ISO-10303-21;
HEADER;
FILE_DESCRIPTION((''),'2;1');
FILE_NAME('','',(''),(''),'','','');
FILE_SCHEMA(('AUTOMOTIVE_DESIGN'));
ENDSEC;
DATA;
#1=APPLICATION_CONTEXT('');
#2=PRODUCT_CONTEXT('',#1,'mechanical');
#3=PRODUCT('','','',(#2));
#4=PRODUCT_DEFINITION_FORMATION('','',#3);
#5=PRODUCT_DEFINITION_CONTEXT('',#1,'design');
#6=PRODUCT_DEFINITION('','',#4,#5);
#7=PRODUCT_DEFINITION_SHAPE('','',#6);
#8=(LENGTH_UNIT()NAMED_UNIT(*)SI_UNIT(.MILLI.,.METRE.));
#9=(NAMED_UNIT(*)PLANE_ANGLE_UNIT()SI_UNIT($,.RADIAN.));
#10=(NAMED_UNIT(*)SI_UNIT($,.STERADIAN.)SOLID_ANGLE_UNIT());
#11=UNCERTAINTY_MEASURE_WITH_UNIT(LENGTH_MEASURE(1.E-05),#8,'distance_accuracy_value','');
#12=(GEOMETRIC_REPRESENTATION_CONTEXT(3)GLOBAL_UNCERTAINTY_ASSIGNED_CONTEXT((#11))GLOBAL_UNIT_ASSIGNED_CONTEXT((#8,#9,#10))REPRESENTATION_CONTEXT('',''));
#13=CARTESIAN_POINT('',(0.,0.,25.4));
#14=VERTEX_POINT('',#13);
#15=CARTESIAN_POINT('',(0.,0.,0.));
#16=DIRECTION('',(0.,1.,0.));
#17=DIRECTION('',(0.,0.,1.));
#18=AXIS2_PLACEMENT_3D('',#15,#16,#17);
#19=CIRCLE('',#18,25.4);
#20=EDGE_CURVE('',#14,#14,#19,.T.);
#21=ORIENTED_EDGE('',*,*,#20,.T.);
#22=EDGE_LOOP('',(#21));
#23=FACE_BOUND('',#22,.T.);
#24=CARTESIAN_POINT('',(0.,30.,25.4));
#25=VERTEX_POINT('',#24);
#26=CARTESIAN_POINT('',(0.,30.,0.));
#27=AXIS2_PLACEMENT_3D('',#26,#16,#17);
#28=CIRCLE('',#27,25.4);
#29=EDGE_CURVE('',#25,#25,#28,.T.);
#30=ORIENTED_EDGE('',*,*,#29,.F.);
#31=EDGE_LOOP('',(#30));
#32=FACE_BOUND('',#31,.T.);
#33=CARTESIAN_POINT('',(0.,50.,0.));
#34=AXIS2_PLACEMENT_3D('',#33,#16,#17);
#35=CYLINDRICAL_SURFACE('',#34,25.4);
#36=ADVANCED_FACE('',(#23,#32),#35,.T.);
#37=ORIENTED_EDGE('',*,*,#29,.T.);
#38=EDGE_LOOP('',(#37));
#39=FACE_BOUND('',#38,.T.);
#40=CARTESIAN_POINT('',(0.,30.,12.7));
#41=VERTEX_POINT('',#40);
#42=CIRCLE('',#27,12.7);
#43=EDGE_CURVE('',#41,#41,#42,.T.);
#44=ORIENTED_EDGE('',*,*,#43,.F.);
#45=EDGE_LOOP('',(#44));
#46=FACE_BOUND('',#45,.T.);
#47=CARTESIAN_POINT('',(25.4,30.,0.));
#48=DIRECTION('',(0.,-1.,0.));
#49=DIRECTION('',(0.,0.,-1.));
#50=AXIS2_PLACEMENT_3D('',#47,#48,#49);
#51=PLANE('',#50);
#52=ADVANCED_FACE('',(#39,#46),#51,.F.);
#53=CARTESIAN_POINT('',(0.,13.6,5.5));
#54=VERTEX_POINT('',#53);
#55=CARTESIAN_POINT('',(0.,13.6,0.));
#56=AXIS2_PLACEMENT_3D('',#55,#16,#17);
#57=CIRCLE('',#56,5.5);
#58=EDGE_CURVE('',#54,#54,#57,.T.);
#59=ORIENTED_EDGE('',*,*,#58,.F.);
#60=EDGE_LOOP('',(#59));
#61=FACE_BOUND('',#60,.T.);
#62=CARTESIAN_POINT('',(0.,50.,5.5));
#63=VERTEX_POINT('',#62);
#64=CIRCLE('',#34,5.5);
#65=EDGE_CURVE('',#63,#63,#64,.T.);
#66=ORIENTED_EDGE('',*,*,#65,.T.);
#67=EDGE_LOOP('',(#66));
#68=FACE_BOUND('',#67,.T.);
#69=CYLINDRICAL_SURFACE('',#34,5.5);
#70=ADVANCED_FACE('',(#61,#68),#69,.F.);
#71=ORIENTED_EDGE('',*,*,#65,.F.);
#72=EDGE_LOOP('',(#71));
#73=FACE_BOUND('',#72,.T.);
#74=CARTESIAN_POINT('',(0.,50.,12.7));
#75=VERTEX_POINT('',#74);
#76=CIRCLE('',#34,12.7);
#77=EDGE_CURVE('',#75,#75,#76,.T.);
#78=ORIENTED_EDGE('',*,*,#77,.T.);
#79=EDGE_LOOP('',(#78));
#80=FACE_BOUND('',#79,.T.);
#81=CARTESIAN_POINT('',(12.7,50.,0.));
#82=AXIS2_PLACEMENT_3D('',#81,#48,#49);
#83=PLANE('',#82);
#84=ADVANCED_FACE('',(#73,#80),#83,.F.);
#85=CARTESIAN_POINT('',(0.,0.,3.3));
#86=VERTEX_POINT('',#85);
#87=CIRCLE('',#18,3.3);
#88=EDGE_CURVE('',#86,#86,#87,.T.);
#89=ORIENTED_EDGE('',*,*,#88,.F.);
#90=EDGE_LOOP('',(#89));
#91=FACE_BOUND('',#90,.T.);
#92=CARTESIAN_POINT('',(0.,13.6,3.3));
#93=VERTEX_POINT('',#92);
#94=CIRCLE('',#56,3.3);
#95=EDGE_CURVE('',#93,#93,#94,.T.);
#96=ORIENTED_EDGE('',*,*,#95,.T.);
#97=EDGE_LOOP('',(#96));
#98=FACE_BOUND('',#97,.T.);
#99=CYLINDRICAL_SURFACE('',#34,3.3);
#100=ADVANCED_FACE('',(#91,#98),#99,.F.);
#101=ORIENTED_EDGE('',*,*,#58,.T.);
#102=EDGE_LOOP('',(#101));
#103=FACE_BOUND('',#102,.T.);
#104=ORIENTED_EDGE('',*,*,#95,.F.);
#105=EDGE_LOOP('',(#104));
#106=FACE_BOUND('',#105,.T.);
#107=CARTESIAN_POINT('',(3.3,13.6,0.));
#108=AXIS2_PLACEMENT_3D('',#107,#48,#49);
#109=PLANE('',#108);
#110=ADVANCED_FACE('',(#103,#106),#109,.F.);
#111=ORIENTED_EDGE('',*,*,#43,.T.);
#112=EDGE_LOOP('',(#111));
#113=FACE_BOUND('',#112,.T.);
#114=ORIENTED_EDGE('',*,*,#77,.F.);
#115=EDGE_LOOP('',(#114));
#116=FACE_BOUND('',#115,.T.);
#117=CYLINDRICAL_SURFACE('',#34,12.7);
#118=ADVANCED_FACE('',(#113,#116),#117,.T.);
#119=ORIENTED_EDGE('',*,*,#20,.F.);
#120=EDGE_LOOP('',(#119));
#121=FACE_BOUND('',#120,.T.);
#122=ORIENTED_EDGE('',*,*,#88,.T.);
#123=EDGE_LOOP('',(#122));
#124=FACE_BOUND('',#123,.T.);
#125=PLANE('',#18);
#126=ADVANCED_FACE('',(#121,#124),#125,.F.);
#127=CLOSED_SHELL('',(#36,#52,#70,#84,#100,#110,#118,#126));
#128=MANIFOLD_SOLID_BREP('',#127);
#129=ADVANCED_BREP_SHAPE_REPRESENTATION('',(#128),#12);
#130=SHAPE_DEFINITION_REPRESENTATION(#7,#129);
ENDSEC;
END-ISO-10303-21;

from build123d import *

# Parameters (mm, degrees)
REFRENTADO_PARA_TORNILLO_CON_CABEZA_HUEC_D           = 6.6
REFRENTADO_PARA_TORNILLO_CON_CABEZA_HUEC_CBORE_D     = 11
REFRENTADO_PARA_TORNILLO_CON_CABEZA_HUEC_CBORE_DEPTH = 36.4


with BuildPart() as part:
    # Croquis1 → Revolución1 (revolve)
    with BuildSketch(Plane.XY, mode=Mode.PRIVATE) as revoluci_n1_sk:
        Polygon((0, 50), (0, 0), (25.4, 0), (25.4, 30), (12.7, 30), (12.7, 50), align=None)
    revolve(revoluci_n1_sk.sketch.rotate(Axis((0, 50, 0), (0, -1, 0)), 90), axis=Axis((0, 50, 0), (0, -1, 0)))

    # Refrentado para tornillo con cabeza hueca de M61 (through all)
    with Locations(Plane(origin=(0, 50, 0), x_dir=(1, 0, 0), z_dir=(0, 1, 0))):
        with Locations((0, 0)):
            CounterBoreHole(REFRENTADO_PARA_TORNILLO_CON_CABEZA_HUEC_D / 2, REFRENTADO_PARA_TORNILLO_CON_CABEZA_HUEC_CBORE_D / 2, REFRENTADO_PARA_TORNILLO_CON_CABEZA_HUEC_CBORE_DEPTH)


solid = part.part
